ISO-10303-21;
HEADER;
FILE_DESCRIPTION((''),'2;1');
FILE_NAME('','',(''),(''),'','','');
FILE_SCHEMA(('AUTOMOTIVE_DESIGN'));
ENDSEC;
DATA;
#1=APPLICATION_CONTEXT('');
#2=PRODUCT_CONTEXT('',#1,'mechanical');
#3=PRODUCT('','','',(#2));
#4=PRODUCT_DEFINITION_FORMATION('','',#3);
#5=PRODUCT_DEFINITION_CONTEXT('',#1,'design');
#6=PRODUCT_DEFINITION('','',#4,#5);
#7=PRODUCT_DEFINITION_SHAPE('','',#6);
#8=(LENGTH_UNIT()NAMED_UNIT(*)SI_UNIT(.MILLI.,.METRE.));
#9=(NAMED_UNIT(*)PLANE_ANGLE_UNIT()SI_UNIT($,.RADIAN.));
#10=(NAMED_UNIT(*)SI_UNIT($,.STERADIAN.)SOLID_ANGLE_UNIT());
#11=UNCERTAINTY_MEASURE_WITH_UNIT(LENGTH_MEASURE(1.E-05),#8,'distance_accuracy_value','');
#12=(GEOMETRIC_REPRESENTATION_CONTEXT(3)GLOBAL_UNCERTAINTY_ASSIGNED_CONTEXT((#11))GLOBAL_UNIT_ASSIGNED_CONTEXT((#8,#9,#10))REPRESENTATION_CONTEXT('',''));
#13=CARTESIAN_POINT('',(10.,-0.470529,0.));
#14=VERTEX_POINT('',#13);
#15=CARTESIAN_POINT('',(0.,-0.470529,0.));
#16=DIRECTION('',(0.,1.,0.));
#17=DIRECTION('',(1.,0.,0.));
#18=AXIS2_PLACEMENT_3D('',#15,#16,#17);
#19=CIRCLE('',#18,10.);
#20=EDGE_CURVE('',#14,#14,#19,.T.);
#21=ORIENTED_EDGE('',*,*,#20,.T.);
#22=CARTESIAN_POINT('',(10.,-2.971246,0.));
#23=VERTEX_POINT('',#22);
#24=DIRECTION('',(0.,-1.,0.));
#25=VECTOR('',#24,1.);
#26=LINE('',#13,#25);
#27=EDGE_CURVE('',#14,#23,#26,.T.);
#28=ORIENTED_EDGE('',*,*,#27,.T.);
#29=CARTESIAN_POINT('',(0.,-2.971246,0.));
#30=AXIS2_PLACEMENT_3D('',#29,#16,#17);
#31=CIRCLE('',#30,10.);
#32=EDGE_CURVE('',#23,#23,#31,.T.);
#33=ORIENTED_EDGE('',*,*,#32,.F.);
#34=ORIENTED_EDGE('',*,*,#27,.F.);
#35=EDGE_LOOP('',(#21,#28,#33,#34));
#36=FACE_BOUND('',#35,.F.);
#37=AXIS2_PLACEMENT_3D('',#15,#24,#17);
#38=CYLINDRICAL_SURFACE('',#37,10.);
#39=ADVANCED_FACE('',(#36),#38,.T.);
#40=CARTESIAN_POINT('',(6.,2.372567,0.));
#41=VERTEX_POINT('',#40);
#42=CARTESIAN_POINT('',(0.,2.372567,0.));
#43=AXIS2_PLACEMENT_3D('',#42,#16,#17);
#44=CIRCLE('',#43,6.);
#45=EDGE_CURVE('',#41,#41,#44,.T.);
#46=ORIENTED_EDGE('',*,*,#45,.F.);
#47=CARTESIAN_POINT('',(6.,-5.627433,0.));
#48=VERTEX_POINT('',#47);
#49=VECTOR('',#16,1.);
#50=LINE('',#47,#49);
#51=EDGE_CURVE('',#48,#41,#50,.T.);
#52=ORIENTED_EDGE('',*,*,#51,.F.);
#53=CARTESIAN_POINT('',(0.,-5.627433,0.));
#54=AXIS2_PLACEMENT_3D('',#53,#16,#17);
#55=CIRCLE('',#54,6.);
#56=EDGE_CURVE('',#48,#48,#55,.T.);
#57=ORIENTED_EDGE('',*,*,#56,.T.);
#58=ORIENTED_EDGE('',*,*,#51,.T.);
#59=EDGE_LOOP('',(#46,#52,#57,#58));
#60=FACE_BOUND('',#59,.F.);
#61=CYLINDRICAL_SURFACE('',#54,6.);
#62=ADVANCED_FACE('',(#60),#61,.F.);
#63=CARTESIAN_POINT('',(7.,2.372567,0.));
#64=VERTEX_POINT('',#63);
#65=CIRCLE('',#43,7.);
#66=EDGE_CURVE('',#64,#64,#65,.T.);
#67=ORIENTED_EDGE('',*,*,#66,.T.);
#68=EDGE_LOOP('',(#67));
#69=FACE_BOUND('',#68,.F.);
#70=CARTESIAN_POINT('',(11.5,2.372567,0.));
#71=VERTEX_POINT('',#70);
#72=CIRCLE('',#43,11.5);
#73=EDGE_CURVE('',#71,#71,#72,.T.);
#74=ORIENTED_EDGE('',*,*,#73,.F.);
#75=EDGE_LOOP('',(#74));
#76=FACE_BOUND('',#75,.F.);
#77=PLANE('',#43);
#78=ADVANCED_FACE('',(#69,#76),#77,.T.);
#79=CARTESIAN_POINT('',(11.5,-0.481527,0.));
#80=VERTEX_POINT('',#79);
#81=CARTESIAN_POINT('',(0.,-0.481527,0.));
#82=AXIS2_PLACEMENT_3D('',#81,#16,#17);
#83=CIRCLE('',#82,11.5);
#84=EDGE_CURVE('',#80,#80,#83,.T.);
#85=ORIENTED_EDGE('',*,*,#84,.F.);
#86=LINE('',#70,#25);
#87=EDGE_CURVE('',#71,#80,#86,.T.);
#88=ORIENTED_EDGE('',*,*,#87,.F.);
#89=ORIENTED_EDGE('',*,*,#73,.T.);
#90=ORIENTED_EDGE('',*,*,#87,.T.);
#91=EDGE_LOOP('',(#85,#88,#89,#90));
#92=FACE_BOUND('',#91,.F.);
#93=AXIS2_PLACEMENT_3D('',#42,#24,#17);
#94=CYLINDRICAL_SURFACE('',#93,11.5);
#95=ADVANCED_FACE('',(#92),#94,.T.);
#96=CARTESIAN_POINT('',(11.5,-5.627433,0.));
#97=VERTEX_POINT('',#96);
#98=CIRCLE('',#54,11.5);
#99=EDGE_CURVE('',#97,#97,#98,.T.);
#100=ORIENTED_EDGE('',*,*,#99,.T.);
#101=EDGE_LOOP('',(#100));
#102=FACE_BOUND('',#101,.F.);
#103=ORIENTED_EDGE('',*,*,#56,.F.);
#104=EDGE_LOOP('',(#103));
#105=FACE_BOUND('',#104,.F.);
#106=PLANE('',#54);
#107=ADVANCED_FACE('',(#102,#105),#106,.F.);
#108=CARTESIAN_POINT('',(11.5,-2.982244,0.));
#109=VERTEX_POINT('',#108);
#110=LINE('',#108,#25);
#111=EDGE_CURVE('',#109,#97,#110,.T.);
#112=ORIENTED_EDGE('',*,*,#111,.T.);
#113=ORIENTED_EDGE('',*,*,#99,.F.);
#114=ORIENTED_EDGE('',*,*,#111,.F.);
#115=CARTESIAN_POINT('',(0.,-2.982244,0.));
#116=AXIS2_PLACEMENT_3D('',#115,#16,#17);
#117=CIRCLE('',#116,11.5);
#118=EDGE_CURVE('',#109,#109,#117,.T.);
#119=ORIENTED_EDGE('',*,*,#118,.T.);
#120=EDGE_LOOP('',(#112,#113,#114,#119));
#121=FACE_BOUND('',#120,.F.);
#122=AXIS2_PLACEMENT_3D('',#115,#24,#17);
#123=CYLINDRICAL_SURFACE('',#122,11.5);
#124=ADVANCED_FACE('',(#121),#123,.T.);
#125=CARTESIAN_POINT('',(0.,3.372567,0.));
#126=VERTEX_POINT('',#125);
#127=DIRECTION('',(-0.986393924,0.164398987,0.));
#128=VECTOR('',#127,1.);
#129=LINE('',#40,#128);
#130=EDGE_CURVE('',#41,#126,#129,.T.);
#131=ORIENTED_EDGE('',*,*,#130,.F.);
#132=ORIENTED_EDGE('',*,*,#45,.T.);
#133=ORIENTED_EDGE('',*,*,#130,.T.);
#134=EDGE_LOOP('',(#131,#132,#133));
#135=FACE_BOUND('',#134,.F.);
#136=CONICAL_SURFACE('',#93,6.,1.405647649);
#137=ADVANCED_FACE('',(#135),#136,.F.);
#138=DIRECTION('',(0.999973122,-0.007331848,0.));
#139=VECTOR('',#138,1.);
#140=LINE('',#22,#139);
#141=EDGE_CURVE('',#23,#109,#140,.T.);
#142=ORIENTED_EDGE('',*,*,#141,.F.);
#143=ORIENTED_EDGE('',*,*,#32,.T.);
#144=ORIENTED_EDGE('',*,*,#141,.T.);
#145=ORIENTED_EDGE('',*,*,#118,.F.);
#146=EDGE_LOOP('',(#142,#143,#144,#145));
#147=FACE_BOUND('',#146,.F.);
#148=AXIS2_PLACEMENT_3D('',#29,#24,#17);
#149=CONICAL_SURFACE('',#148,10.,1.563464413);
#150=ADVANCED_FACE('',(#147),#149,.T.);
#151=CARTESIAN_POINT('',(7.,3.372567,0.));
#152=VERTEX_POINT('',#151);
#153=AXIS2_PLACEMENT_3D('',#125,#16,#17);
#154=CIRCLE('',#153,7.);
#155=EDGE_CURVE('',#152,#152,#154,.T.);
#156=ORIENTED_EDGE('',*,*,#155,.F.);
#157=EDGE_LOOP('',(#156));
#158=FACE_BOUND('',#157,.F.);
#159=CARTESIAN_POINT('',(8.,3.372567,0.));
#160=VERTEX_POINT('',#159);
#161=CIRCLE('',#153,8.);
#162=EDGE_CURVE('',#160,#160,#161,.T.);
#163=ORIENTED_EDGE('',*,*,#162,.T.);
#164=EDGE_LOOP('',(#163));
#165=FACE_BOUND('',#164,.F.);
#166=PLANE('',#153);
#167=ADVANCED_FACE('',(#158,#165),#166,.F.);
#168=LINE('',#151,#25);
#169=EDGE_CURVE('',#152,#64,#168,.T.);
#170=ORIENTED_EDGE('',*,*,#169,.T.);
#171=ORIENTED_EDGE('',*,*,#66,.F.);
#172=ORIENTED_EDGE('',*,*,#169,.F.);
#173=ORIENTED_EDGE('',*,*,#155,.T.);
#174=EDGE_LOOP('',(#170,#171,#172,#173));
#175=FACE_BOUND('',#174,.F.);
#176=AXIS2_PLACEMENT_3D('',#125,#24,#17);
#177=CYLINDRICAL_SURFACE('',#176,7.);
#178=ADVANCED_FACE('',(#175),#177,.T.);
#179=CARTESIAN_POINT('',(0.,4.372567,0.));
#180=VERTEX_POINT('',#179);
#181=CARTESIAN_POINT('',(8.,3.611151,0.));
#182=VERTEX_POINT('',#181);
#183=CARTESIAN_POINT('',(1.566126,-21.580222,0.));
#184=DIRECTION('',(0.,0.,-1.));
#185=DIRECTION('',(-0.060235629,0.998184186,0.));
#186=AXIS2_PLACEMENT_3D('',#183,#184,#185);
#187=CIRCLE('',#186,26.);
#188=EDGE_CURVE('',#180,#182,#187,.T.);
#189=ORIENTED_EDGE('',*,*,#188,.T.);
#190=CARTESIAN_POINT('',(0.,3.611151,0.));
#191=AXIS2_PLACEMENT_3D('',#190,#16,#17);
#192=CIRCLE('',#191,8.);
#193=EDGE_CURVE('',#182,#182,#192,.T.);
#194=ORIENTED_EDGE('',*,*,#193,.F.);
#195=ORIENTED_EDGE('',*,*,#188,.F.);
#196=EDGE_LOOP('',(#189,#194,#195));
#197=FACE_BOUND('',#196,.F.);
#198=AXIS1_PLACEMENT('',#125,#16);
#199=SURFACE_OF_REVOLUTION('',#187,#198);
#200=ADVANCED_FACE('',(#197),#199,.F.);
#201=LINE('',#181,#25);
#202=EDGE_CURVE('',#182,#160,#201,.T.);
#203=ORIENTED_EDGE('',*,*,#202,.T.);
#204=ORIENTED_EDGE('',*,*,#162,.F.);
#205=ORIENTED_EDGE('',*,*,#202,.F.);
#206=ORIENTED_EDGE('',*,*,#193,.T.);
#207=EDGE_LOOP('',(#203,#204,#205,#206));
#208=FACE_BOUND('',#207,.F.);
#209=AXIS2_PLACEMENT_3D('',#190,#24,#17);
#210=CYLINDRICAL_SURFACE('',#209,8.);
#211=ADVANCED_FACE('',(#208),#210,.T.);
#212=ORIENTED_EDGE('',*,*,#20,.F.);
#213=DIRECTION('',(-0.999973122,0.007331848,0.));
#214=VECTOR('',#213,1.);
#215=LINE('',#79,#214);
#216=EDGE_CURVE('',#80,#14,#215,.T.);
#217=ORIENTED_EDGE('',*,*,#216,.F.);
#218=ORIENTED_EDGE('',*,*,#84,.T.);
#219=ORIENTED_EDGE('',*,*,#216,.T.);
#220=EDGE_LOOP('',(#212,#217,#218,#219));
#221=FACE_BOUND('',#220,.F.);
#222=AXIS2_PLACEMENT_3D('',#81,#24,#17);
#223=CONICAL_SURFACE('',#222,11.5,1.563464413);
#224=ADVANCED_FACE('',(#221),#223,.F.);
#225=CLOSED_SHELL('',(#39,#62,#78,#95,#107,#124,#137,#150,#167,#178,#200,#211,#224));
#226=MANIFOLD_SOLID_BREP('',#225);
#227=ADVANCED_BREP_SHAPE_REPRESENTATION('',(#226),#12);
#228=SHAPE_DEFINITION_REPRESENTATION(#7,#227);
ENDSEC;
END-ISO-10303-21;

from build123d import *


with BuildPart() as part:
    # Эскиз1 → Повернуть1 (revolve)
    with BuildSketch(Plane.XY):
        with BuildLine():
            Line((11.5, -2.982243983), (11.5, -5.627433044))
            Line((11.5, -5.627433044), (6, -5.627433044))
            Line((6, -5.627433044), (6, 2.372566956))
            Line((6, 2.372566956), (0, 3.372566956))
            Line((0, 3.372566956), (0, 4.372566956))
            ThreePointArc((0, 4.372566956), (4.029595345, 4.302809639), (8, 3.611151047))
            Line((8, 3.611151047), (8, 3.372566956))
            Line((8, 3.372566956), (7, 3.372566956))
            Line((7, 3.372566956), (7, 2.372566956))
            Line((7, 2.372566956), (11.5, 2.372566956))
            Line((11.5, 2.372566956), (11.5, -0.481527002))
            Line((11.5, -0.481527002), (10, -0.470528934))
            Line((10, -0.470528934), (10, -2.971245915))
            Line((10, -2.971245915), (11.5, -2.982243983))
        make_face()
    revolve(axis=Axis((0, 3.372566956, 0), (0, 1, 0)))


solid = part.part
